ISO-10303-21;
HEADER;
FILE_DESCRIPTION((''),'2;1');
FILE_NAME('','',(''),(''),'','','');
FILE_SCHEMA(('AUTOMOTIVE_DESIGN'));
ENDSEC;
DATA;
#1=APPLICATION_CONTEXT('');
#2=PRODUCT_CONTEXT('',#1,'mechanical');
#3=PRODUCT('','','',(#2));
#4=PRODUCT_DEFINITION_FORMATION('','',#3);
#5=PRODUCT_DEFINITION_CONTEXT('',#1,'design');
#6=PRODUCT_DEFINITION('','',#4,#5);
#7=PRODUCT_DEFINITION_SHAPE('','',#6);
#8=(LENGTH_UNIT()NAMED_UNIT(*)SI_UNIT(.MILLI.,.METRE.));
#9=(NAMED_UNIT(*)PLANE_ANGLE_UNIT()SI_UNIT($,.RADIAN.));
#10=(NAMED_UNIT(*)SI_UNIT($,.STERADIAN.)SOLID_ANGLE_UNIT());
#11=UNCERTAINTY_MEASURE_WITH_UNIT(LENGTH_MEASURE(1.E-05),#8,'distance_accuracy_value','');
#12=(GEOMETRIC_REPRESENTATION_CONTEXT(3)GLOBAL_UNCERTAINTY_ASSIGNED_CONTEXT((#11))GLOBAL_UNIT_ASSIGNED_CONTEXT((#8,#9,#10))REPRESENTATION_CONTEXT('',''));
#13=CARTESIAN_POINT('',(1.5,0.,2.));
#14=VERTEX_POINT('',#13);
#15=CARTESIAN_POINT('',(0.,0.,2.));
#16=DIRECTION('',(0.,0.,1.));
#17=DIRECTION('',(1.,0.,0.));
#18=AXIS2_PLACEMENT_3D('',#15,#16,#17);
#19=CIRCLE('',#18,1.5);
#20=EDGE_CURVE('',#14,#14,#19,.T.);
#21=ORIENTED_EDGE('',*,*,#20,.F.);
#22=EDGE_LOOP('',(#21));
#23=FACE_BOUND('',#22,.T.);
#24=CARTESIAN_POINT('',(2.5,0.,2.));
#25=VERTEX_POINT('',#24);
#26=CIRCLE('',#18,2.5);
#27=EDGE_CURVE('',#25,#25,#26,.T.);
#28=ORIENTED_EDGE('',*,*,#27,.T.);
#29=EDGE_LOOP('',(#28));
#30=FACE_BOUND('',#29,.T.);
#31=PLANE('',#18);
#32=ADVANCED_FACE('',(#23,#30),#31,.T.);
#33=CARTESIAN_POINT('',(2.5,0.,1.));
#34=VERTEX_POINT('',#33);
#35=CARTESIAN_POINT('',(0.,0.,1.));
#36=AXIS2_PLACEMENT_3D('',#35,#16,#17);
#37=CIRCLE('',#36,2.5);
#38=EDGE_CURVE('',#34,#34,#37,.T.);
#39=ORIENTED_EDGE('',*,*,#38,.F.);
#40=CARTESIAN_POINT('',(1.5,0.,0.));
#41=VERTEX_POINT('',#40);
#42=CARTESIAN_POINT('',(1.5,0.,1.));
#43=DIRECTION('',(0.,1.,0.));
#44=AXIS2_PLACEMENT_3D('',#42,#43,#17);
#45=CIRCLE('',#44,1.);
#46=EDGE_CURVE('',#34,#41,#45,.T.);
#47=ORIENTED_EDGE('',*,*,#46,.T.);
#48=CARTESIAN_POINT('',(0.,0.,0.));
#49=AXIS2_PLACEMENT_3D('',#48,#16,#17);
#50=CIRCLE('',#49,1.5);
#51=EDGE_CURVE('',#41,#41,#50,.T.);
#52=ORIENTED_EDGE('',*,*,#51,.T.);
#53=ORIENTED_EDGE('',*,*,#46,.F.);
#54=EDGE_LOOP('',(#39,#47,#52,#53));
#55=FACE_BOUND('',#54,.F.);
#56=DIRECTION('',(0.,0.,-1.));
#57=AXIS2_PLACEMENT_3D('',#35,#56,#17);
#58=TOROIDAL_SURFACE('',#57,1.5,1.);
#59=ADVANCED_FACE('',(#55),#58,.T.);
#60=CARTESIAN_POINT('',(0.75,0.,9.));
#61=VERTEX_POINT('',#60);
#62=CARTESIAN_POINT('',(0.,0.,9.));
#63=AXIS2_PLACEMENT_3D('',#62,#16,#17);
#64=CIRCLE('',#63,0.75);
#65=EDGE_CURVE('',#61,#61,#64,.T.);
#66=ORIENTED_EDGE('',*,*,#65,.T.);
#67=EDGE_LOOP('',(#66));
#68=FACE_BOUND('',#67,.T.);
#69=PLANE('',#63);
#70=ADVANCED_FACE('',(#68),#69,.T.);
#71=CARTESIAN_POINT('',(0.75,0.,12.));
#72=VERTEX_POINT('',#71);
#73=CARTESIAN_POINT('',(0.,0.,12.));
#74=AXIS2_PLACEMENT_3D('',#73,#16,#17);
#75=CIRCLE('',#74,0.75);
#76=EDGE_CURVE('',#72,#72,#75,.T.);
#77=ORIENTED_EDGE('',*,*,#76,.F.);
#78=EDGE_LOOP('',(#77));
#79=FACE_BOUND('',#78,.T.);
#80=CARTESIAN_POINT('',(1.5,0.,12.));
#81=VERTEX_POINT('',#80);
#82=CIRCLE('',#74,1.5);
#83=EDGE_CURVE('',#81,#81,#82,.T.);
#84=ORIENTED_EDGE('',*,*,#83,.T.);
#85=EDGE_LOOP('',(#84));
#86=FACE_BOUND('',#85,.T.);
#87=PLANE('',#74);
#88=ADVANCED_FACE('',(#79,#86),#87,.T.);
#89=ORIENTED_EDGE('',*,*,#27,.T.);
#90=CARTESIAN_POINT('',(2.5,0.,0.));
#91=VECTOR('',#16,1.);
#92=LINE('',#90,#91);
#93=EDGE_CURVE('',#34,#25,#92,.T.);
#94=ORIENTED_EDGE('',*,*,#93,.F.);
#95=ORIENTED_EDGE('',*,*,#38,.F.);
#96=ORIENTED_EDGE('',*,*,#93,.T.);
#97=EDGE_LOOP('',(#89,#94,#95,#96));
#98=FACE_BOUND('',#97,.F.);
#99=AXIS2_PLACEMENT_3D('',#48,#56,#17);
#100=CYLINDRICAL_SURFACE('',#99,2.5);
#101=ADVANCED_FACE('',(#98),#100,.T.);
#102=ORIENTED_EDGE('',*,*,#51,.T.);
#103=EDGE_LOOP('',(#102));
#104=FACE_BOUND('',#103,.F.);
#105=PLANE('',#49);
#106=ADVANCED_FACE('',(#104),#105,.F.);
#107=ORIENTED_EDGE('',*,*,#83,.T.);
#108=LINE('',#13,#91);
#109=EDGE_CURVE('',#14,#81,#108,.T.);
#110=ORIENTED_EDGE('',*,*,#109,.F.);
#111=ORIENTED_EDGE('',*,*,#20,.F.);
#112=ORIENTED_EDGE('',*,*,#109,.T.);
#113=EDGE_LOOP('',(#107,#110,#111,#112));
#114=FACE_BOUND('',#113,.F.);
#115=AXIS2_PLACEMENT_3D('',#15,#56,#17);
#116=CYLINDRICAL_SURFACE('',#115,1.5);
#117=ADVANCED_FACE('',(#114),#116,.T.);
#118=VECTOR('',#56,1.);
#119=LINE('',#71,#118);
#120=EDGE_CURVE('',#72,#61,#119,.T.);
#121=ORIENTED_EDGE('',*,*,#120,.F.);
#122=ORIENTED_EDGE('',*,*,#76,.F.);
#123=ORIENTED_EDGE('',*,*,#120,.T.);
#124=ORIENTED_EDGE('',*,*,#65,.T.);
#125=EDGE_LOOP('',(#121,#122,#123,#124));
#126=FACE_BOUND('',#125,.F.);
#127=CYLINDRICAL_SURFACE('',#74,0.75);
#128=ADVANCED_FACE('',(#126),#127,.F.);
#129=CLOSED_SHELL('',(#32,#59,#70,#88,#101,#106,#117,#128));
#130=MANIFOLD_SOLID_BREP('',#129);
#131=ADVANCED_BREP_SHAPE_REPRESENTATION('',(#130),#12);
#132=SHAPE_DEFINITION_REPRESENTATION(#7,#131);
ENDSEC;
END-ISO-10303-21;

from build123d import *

# Parameters (mm, degrees)
SKETCH_R     = 2.5
PAD_DEPTH    = 2
FILLET_R     = 1
SKETCH001_R  = 1.5
PAD001_DEPTH = 10
SKETCH002_R  = 0.75
POCKET_DEPTH = 3


with BuildPart() as part:
    # Sketch → Pad (new body)
    with BuildSketch(Plane.XY):
        Circle(SKETCH_R)
    extrude(amount=PAD_DEPTH)

    # Fillet
    fillet_edges = [part.edges().sort_by_distance(p)[0] for p in [
        (-2.5, 0, 0),
    ]]
    fillet(fillet_edges, radius=FILLET_R)

    # Sketch001 (on DatumPlane) → Pad001 (join)
    with BuildSketch(Plane.XY.offset(2)):
        Circle(SKETCH001_R)
    extrude(amount=PAD001_DEPTH)

    # Sketch002 (on DatumPlane) → Pocket (cut)
    with BuildSketch(Plane.XY.offset(12)):
        Circle(SKETCH002_R)
    extrude(amount=-POCKET_DEPTH, mode=Mode.SUBTRACT)


solid = part.part
